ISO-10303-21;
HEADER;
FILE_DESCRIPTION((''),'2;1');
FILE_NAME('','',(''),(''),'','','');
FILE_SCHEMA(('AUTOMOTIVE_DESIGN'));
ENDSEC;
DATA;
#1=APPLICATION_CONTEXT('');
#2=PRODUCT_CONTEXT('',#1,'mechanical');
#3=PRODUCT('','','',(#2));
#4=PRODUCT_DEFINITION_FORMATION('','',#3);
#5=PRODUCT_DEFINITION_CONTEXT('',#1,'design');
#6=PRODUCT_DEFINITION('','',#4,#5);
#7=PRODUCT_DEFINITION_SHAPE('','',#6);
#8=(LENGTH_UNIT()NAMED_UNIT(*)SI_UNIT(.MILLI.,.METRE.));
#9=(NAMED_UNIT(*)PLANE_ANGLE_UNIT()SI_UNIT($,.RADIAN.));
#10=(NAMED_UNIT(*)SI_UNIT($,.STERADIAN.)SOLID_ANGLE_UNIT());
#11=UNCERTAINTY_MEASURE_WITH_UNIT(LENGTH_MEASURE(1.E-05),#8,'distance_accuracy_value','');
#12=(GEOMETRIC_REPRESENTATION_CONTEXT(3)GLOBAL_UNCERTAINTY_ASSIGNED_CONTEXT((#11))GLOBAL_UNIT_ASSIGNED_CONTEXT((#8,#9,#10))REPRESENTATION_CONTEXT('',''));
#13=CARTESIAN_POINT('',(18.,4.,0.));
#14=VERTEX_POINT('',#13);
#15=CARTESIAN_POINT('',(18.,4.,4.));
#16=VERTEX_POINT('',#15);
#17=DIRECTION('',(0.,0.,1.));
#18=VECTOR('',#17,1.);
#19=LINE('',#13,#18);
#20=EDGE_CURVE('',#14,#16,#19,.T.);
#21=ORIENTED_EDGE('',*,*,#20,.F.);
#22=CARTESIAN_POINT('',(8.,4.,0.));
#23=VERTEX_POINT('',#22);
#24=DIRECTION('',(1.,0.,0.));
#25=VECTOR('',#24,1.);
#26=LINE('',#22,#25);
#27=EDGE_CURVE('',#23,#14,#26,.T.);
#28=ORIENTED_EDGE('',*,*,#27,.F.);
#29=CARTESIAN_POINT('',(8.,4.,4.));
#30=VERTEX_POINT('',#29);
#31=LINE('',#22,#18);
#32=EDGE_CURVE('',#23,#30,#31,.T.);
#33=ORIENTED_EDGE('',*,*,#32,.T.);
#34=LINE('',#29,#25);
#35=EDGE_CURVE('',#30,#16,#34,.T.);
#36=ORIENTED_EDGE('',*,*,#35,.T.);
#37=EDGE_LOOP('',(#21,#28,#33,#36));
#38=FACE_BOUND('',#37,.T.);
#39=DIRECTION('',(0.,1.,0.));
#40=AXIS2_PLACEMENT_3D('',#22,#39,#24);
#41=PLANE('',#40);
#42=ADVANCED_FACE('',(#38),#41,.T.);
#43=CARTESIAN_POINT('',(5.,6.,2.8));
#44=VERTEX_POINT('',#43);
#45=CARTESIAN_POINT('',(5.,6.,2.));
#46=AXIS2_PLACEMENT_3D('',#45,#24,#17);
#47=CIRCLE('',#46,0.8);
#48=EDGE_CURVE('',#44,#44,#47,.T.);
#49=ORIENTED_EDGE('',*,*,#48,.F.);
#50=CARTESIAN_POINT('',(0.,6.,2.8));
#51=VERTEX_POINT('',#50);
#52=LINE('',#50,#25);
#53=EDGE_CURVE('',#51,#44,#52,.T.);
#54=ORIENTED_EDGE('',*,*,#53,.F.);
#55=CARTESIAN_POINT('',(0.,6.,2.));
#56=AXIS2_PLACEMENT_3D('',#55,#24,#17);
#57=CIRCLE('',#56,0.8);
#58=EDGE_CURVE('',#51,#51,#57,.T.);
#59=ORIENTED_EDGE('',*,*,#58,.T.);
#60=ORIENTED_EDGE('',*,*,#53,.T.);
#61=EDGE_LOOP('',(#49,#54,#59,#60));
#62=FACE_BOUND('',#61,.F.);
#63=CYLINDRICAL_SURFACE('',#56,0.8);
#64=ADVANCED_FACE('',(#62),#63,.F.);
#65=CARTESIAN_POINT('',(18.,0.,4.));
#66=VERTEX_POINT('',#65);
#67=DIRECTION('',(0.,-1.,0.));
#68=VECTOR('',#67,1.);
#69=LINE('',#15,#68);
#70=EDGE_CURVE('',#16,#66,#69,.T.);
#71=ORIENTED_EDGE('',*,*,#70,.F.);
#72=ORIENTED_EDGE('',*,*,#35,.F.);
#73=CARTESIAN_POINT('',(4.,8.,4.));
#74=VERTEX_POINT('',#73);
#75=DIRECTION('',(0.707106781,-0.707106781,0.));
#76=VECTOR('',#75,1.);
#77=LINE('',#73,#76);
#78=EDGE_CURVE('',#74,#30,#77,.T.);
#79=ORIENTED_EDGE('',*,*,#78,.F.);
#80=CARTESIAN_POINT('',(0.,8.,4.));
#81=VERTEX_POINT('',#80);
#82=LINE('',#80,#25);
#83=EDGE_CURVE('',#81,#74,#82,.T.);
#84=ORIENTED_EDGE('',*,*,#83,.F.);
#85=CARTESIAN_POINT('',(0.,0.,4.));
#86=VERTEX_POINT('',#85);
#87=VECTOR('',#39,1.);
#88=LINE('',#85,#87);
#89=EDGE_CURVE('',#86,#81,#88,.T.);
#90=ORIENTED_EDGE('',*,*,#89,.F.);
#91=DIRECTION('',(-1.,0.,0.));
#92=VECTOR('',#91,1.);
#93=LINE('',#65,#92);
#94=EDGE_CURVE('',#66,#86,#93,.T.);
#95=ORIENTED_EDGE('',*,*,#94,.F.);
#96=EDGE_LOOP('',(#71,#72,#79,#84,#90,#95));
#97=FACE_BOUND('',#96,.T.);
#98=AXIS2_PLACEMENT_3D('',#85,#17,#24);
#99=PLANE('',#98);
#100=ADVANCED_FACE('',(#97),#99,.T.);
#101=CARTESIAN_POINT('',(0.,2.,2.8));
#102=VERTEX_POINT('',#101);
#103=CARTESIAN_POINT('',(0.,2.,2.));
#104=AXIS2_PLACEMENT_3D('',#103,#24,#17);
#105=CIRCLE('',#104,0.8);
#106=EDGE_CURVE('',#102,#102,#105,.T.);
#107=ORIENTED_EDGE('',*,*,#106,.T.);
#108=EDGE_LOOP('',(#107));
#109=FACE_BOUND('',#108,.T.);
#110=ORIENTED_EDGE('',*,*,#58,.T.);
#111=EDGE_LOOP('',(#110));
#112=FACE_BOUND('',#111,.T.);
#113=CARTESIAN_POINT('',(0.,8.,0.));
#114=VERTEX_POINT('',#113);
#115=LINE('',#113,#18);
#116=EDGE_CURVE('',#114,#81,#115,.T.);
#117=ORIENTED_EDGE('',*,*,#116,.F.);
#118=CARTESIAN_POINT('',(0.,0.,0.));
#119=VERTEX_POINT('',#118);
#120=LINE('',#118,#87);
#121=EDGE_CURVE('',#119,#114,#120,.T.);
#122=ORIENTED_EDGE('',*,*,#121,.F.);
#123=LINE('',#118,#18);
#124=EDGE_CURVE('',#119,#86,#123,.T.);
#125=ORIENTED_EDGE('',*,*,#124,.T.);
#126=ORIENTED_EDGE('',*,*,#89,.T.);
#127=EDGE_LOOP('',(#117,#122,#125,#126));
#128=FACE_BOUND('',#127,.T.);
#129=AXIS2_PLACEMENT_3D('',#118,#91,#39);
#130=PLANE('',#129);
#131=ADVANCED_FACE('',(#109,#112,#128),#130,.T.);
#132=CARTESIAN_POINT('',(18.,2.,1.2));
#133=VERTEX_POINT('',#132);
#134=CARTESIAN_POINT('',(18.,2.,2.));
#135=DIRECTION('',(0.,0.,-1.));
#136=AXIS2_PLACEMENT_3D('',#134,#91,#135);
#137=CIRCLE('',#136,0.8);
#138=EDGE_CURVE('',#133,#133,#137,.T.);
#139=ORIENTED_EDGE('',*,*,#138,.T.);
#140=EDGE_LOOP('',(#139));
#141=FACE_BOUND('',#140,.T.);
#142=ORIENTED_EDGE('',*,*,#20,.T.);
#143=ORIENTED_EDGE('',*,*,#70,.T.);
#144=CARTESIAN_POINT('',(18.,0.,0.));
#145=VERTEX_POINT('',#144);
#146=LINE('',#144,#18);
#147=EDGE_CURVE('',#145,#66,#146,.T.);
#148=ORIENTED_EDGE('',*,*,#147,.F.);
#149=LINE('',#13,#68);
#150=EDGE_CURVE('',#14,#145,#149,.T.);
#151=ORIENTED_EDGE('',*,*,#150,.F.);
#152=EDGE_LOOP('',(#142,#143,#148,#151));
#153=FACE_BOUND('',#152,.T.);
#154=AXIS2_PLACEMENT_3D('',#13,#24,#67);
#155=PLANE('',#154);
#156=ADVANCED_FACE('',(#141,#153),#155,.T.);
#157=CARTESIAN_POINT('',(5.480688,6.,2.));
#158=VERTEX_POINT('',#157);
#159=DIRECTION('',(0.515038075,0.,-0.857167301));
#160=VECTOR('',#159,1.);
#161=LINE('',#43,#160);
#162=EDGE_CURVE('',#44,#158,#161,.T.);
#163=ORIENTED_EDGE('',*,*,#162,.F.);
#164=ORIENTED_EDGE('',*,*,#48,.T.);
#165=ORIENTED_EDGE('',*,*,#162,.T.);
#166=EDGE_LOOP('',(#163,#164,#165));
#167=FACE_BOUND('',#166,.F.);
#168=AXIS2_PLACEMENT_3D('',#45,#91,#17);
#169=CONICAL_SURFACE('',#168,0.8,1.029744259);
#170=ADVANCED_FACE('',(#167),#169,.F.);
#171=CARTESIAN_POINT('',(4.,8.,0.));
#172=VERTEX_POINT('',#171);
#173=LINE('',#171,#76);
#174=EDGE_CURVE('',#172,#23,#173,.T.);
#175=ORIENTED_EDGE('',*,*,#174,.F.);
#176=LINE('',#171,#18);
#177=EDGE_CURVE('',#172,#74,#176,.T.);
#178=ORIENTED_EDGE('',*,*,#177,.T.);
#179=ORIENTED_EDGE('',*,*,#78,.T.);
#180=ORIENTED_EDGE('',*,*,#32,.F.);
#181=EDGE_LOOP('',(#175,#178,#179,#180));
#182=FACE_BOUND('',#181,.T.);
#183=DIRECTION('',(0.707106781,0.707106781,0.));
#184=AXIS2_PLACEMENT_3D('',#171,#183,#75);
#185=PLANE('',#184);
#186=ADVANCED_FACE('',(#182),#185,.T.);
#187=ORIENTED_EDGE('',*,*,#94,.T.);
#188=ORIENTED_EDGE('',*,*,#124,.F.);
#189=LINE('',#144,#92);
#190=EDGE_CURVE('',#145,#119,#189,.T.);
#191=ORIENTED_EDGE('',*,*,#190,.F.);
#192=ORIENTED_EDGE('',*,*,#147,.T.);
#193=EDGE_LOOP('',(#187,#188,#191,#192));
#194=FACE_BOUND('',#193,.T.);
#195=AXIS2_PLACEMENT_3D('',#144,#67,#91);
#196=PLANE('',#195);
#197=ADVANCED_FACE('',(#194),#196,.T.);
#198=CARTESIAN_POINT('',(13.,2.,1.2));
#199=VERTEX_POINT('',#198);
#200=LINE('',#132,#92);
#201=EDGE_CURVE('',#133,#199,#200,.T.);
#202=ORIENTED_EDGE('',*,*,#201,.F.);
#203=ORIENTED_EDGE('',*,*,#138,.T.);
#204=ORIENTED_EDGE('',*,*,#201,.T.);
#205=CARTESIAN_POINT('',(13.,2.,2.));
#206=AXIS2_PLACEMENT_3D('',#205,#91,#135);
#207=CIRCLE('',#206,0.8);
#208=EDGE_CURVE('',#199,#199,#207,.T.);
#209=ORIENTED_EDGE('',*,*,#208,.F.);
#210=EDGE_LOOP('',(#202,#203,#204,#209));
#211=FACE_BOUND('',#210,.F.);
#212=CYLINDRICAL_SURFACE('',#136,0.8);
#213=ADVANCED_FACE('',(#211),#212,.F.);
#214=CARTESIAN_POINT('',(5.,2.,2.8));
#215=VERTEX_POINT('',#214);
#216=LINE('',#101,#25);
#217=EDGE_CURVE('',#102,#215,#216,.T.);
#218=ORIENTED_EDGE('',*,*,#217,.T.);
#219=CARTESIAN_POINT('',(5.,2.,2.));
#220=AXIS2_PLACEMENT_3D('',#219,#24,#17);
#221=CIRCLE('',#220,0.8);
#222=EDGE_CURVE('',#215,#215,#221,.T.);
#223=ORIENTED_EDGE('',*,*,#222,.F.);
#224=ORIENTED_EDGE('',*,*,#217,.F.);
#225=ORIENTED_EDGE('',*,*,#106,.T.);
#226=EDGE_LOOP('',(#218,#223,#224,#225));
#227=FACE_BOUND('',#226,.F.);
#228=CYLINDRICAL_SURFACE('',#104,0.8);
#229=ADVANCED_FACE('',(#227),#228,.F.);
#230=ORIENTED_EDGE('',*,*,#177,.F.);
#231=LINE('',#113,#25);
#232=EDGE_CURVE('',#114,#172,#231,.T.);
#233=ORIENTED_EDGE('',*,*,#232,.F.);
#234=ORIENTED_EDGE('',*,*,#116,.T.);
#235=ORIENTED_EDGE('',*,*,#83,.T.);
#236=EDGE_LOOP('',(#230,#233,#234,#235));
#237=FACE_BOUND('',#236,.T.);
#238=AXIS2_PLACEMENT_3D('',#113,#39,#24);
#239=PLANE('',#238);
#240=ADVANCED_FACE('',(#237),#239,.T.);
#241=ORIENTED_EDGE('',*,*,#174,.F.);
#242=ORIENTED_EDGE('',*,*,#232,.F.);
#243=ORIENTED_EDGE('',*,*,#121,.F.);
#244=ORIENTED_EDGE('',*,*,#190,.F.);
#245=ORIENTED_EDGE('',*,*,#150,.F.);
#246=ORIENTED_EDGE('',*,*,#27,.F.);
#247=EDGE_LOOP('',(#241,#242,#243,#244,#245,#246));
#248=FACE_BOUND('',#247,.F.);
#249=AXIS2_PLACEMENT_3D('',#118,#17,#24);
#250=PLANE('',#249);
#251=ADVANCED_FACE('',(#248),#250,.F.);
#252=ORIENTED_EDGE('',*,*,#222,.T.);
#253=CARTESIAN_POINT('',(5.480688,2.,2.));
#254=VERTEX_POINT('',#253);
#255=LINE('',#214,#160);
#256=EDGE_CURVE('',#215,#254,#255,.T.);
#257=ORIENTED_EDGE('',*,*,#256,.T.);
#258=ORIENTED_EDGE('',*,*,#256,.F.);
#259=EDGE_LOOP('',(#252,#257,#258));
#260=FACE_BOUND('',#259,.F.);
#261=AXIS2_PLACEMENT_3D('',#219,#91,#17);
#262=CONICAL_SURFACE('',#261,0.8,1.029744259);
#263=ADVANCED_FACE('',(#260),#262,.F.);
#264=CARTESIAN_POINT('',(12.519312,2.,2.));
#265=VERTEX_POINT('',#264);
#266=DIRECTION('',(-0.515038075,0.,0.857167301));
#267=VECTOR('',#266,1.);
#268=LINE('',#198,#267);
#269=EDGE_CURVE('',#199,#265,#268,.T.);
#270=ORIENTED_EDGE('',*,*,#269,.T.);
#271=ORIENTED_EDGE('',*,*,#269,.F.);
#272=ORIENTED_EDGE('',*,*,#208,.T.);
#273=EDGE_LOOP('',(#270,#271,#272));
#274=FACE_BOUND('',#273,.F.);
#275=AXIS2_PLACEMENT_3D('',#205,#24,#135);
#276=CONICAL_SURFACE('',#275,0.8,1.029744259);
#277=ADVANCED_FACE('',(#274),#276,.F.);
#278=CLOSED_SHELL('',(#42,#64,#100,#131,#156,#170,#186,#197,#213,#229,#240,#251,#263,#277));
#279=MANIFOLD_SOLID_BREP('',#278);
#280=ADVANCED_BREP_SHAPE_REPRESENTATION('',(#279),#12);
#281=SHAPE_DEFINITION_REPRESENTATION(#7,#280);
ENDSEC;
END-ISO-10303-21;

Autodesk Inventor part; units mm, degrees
ref_plane "YZ Plane" through (0, 0, 0) normal (1, 0, 0) x (0, 1, 0)
ref_plane "XZ Plane" through (0, 0, 0) normal (0, 1, 0) x (-1, 0, 0)
ref_plane "XY Plane" through (0, 0, 0) normal (0, 0, 1) x (1, 0, 0)
sketch "Sketch1" plane through (0, 0, 0) normal (0, 0, 1) x (1, 0, 0)
  line L0 (0, 0) -> (0, 8)
  line L1 (0, 8) -> (4, 8)
  line L2 (4, 8) -> (8, 4)
  line L3 (8, 4) -> (18, 4)
  line L4 (18, 4) -> (18, 0)
  line L5 (18, 0) -> (0, 0)
  dimension "d0" = 18
  dimension "d1" = 4
  dimension "d2" = 8
  dimension "d3" = 4
  dimension "d4" = 45
extrude "Extrusion1" add sketch "Sketch1" along normal blind 4
sketch "Sketch2" plane through (0, 0, 0) normal (-1, 0, 0) x (0, 0, 1)
  line L0 (0, 0) -> (0, 8) projected
  line L1 (0, 0) -> (4, 0) projected
  line L2 (4, 8) -> (4, 0) projected
  line L3 (0, 8) -> (4, 8) projected
  line L4 (2, 0) -> (2, 8) construction
  line L5 (0, 4) -> (4, 4) construction
  point P0 (2, 2)
  point P1 (2, 6)
  dimension "d7" = 4
hole "Hole1" at (0, 2, 2) at (0, 6, 2) direction (1, 0, 0) diameter 1.6 depth 5 tip angle 118
sketch "Sketch3" plane through (18, 0, 0) normal (1, 0, 0) x (0, 0, -1)
  line L0 (0, 4) -> (0, 0) projected
  line L1 (0, 4) -> (-4, 4) projected
  line L2 (-4, 0) -> (-4, 4) projected
  line L3 (0, 0) -> (-4, 0) projected
  line L4 (0, 0) -> (-4, 4) construction
  point P0 (0, 0)
  point P1 (-2, 2)
hole "Hole2" at (18, 2, 2) direction (-1, 0, 0) diameter 1.6 depth 5 tip angle 118
properties part number "support 1"
